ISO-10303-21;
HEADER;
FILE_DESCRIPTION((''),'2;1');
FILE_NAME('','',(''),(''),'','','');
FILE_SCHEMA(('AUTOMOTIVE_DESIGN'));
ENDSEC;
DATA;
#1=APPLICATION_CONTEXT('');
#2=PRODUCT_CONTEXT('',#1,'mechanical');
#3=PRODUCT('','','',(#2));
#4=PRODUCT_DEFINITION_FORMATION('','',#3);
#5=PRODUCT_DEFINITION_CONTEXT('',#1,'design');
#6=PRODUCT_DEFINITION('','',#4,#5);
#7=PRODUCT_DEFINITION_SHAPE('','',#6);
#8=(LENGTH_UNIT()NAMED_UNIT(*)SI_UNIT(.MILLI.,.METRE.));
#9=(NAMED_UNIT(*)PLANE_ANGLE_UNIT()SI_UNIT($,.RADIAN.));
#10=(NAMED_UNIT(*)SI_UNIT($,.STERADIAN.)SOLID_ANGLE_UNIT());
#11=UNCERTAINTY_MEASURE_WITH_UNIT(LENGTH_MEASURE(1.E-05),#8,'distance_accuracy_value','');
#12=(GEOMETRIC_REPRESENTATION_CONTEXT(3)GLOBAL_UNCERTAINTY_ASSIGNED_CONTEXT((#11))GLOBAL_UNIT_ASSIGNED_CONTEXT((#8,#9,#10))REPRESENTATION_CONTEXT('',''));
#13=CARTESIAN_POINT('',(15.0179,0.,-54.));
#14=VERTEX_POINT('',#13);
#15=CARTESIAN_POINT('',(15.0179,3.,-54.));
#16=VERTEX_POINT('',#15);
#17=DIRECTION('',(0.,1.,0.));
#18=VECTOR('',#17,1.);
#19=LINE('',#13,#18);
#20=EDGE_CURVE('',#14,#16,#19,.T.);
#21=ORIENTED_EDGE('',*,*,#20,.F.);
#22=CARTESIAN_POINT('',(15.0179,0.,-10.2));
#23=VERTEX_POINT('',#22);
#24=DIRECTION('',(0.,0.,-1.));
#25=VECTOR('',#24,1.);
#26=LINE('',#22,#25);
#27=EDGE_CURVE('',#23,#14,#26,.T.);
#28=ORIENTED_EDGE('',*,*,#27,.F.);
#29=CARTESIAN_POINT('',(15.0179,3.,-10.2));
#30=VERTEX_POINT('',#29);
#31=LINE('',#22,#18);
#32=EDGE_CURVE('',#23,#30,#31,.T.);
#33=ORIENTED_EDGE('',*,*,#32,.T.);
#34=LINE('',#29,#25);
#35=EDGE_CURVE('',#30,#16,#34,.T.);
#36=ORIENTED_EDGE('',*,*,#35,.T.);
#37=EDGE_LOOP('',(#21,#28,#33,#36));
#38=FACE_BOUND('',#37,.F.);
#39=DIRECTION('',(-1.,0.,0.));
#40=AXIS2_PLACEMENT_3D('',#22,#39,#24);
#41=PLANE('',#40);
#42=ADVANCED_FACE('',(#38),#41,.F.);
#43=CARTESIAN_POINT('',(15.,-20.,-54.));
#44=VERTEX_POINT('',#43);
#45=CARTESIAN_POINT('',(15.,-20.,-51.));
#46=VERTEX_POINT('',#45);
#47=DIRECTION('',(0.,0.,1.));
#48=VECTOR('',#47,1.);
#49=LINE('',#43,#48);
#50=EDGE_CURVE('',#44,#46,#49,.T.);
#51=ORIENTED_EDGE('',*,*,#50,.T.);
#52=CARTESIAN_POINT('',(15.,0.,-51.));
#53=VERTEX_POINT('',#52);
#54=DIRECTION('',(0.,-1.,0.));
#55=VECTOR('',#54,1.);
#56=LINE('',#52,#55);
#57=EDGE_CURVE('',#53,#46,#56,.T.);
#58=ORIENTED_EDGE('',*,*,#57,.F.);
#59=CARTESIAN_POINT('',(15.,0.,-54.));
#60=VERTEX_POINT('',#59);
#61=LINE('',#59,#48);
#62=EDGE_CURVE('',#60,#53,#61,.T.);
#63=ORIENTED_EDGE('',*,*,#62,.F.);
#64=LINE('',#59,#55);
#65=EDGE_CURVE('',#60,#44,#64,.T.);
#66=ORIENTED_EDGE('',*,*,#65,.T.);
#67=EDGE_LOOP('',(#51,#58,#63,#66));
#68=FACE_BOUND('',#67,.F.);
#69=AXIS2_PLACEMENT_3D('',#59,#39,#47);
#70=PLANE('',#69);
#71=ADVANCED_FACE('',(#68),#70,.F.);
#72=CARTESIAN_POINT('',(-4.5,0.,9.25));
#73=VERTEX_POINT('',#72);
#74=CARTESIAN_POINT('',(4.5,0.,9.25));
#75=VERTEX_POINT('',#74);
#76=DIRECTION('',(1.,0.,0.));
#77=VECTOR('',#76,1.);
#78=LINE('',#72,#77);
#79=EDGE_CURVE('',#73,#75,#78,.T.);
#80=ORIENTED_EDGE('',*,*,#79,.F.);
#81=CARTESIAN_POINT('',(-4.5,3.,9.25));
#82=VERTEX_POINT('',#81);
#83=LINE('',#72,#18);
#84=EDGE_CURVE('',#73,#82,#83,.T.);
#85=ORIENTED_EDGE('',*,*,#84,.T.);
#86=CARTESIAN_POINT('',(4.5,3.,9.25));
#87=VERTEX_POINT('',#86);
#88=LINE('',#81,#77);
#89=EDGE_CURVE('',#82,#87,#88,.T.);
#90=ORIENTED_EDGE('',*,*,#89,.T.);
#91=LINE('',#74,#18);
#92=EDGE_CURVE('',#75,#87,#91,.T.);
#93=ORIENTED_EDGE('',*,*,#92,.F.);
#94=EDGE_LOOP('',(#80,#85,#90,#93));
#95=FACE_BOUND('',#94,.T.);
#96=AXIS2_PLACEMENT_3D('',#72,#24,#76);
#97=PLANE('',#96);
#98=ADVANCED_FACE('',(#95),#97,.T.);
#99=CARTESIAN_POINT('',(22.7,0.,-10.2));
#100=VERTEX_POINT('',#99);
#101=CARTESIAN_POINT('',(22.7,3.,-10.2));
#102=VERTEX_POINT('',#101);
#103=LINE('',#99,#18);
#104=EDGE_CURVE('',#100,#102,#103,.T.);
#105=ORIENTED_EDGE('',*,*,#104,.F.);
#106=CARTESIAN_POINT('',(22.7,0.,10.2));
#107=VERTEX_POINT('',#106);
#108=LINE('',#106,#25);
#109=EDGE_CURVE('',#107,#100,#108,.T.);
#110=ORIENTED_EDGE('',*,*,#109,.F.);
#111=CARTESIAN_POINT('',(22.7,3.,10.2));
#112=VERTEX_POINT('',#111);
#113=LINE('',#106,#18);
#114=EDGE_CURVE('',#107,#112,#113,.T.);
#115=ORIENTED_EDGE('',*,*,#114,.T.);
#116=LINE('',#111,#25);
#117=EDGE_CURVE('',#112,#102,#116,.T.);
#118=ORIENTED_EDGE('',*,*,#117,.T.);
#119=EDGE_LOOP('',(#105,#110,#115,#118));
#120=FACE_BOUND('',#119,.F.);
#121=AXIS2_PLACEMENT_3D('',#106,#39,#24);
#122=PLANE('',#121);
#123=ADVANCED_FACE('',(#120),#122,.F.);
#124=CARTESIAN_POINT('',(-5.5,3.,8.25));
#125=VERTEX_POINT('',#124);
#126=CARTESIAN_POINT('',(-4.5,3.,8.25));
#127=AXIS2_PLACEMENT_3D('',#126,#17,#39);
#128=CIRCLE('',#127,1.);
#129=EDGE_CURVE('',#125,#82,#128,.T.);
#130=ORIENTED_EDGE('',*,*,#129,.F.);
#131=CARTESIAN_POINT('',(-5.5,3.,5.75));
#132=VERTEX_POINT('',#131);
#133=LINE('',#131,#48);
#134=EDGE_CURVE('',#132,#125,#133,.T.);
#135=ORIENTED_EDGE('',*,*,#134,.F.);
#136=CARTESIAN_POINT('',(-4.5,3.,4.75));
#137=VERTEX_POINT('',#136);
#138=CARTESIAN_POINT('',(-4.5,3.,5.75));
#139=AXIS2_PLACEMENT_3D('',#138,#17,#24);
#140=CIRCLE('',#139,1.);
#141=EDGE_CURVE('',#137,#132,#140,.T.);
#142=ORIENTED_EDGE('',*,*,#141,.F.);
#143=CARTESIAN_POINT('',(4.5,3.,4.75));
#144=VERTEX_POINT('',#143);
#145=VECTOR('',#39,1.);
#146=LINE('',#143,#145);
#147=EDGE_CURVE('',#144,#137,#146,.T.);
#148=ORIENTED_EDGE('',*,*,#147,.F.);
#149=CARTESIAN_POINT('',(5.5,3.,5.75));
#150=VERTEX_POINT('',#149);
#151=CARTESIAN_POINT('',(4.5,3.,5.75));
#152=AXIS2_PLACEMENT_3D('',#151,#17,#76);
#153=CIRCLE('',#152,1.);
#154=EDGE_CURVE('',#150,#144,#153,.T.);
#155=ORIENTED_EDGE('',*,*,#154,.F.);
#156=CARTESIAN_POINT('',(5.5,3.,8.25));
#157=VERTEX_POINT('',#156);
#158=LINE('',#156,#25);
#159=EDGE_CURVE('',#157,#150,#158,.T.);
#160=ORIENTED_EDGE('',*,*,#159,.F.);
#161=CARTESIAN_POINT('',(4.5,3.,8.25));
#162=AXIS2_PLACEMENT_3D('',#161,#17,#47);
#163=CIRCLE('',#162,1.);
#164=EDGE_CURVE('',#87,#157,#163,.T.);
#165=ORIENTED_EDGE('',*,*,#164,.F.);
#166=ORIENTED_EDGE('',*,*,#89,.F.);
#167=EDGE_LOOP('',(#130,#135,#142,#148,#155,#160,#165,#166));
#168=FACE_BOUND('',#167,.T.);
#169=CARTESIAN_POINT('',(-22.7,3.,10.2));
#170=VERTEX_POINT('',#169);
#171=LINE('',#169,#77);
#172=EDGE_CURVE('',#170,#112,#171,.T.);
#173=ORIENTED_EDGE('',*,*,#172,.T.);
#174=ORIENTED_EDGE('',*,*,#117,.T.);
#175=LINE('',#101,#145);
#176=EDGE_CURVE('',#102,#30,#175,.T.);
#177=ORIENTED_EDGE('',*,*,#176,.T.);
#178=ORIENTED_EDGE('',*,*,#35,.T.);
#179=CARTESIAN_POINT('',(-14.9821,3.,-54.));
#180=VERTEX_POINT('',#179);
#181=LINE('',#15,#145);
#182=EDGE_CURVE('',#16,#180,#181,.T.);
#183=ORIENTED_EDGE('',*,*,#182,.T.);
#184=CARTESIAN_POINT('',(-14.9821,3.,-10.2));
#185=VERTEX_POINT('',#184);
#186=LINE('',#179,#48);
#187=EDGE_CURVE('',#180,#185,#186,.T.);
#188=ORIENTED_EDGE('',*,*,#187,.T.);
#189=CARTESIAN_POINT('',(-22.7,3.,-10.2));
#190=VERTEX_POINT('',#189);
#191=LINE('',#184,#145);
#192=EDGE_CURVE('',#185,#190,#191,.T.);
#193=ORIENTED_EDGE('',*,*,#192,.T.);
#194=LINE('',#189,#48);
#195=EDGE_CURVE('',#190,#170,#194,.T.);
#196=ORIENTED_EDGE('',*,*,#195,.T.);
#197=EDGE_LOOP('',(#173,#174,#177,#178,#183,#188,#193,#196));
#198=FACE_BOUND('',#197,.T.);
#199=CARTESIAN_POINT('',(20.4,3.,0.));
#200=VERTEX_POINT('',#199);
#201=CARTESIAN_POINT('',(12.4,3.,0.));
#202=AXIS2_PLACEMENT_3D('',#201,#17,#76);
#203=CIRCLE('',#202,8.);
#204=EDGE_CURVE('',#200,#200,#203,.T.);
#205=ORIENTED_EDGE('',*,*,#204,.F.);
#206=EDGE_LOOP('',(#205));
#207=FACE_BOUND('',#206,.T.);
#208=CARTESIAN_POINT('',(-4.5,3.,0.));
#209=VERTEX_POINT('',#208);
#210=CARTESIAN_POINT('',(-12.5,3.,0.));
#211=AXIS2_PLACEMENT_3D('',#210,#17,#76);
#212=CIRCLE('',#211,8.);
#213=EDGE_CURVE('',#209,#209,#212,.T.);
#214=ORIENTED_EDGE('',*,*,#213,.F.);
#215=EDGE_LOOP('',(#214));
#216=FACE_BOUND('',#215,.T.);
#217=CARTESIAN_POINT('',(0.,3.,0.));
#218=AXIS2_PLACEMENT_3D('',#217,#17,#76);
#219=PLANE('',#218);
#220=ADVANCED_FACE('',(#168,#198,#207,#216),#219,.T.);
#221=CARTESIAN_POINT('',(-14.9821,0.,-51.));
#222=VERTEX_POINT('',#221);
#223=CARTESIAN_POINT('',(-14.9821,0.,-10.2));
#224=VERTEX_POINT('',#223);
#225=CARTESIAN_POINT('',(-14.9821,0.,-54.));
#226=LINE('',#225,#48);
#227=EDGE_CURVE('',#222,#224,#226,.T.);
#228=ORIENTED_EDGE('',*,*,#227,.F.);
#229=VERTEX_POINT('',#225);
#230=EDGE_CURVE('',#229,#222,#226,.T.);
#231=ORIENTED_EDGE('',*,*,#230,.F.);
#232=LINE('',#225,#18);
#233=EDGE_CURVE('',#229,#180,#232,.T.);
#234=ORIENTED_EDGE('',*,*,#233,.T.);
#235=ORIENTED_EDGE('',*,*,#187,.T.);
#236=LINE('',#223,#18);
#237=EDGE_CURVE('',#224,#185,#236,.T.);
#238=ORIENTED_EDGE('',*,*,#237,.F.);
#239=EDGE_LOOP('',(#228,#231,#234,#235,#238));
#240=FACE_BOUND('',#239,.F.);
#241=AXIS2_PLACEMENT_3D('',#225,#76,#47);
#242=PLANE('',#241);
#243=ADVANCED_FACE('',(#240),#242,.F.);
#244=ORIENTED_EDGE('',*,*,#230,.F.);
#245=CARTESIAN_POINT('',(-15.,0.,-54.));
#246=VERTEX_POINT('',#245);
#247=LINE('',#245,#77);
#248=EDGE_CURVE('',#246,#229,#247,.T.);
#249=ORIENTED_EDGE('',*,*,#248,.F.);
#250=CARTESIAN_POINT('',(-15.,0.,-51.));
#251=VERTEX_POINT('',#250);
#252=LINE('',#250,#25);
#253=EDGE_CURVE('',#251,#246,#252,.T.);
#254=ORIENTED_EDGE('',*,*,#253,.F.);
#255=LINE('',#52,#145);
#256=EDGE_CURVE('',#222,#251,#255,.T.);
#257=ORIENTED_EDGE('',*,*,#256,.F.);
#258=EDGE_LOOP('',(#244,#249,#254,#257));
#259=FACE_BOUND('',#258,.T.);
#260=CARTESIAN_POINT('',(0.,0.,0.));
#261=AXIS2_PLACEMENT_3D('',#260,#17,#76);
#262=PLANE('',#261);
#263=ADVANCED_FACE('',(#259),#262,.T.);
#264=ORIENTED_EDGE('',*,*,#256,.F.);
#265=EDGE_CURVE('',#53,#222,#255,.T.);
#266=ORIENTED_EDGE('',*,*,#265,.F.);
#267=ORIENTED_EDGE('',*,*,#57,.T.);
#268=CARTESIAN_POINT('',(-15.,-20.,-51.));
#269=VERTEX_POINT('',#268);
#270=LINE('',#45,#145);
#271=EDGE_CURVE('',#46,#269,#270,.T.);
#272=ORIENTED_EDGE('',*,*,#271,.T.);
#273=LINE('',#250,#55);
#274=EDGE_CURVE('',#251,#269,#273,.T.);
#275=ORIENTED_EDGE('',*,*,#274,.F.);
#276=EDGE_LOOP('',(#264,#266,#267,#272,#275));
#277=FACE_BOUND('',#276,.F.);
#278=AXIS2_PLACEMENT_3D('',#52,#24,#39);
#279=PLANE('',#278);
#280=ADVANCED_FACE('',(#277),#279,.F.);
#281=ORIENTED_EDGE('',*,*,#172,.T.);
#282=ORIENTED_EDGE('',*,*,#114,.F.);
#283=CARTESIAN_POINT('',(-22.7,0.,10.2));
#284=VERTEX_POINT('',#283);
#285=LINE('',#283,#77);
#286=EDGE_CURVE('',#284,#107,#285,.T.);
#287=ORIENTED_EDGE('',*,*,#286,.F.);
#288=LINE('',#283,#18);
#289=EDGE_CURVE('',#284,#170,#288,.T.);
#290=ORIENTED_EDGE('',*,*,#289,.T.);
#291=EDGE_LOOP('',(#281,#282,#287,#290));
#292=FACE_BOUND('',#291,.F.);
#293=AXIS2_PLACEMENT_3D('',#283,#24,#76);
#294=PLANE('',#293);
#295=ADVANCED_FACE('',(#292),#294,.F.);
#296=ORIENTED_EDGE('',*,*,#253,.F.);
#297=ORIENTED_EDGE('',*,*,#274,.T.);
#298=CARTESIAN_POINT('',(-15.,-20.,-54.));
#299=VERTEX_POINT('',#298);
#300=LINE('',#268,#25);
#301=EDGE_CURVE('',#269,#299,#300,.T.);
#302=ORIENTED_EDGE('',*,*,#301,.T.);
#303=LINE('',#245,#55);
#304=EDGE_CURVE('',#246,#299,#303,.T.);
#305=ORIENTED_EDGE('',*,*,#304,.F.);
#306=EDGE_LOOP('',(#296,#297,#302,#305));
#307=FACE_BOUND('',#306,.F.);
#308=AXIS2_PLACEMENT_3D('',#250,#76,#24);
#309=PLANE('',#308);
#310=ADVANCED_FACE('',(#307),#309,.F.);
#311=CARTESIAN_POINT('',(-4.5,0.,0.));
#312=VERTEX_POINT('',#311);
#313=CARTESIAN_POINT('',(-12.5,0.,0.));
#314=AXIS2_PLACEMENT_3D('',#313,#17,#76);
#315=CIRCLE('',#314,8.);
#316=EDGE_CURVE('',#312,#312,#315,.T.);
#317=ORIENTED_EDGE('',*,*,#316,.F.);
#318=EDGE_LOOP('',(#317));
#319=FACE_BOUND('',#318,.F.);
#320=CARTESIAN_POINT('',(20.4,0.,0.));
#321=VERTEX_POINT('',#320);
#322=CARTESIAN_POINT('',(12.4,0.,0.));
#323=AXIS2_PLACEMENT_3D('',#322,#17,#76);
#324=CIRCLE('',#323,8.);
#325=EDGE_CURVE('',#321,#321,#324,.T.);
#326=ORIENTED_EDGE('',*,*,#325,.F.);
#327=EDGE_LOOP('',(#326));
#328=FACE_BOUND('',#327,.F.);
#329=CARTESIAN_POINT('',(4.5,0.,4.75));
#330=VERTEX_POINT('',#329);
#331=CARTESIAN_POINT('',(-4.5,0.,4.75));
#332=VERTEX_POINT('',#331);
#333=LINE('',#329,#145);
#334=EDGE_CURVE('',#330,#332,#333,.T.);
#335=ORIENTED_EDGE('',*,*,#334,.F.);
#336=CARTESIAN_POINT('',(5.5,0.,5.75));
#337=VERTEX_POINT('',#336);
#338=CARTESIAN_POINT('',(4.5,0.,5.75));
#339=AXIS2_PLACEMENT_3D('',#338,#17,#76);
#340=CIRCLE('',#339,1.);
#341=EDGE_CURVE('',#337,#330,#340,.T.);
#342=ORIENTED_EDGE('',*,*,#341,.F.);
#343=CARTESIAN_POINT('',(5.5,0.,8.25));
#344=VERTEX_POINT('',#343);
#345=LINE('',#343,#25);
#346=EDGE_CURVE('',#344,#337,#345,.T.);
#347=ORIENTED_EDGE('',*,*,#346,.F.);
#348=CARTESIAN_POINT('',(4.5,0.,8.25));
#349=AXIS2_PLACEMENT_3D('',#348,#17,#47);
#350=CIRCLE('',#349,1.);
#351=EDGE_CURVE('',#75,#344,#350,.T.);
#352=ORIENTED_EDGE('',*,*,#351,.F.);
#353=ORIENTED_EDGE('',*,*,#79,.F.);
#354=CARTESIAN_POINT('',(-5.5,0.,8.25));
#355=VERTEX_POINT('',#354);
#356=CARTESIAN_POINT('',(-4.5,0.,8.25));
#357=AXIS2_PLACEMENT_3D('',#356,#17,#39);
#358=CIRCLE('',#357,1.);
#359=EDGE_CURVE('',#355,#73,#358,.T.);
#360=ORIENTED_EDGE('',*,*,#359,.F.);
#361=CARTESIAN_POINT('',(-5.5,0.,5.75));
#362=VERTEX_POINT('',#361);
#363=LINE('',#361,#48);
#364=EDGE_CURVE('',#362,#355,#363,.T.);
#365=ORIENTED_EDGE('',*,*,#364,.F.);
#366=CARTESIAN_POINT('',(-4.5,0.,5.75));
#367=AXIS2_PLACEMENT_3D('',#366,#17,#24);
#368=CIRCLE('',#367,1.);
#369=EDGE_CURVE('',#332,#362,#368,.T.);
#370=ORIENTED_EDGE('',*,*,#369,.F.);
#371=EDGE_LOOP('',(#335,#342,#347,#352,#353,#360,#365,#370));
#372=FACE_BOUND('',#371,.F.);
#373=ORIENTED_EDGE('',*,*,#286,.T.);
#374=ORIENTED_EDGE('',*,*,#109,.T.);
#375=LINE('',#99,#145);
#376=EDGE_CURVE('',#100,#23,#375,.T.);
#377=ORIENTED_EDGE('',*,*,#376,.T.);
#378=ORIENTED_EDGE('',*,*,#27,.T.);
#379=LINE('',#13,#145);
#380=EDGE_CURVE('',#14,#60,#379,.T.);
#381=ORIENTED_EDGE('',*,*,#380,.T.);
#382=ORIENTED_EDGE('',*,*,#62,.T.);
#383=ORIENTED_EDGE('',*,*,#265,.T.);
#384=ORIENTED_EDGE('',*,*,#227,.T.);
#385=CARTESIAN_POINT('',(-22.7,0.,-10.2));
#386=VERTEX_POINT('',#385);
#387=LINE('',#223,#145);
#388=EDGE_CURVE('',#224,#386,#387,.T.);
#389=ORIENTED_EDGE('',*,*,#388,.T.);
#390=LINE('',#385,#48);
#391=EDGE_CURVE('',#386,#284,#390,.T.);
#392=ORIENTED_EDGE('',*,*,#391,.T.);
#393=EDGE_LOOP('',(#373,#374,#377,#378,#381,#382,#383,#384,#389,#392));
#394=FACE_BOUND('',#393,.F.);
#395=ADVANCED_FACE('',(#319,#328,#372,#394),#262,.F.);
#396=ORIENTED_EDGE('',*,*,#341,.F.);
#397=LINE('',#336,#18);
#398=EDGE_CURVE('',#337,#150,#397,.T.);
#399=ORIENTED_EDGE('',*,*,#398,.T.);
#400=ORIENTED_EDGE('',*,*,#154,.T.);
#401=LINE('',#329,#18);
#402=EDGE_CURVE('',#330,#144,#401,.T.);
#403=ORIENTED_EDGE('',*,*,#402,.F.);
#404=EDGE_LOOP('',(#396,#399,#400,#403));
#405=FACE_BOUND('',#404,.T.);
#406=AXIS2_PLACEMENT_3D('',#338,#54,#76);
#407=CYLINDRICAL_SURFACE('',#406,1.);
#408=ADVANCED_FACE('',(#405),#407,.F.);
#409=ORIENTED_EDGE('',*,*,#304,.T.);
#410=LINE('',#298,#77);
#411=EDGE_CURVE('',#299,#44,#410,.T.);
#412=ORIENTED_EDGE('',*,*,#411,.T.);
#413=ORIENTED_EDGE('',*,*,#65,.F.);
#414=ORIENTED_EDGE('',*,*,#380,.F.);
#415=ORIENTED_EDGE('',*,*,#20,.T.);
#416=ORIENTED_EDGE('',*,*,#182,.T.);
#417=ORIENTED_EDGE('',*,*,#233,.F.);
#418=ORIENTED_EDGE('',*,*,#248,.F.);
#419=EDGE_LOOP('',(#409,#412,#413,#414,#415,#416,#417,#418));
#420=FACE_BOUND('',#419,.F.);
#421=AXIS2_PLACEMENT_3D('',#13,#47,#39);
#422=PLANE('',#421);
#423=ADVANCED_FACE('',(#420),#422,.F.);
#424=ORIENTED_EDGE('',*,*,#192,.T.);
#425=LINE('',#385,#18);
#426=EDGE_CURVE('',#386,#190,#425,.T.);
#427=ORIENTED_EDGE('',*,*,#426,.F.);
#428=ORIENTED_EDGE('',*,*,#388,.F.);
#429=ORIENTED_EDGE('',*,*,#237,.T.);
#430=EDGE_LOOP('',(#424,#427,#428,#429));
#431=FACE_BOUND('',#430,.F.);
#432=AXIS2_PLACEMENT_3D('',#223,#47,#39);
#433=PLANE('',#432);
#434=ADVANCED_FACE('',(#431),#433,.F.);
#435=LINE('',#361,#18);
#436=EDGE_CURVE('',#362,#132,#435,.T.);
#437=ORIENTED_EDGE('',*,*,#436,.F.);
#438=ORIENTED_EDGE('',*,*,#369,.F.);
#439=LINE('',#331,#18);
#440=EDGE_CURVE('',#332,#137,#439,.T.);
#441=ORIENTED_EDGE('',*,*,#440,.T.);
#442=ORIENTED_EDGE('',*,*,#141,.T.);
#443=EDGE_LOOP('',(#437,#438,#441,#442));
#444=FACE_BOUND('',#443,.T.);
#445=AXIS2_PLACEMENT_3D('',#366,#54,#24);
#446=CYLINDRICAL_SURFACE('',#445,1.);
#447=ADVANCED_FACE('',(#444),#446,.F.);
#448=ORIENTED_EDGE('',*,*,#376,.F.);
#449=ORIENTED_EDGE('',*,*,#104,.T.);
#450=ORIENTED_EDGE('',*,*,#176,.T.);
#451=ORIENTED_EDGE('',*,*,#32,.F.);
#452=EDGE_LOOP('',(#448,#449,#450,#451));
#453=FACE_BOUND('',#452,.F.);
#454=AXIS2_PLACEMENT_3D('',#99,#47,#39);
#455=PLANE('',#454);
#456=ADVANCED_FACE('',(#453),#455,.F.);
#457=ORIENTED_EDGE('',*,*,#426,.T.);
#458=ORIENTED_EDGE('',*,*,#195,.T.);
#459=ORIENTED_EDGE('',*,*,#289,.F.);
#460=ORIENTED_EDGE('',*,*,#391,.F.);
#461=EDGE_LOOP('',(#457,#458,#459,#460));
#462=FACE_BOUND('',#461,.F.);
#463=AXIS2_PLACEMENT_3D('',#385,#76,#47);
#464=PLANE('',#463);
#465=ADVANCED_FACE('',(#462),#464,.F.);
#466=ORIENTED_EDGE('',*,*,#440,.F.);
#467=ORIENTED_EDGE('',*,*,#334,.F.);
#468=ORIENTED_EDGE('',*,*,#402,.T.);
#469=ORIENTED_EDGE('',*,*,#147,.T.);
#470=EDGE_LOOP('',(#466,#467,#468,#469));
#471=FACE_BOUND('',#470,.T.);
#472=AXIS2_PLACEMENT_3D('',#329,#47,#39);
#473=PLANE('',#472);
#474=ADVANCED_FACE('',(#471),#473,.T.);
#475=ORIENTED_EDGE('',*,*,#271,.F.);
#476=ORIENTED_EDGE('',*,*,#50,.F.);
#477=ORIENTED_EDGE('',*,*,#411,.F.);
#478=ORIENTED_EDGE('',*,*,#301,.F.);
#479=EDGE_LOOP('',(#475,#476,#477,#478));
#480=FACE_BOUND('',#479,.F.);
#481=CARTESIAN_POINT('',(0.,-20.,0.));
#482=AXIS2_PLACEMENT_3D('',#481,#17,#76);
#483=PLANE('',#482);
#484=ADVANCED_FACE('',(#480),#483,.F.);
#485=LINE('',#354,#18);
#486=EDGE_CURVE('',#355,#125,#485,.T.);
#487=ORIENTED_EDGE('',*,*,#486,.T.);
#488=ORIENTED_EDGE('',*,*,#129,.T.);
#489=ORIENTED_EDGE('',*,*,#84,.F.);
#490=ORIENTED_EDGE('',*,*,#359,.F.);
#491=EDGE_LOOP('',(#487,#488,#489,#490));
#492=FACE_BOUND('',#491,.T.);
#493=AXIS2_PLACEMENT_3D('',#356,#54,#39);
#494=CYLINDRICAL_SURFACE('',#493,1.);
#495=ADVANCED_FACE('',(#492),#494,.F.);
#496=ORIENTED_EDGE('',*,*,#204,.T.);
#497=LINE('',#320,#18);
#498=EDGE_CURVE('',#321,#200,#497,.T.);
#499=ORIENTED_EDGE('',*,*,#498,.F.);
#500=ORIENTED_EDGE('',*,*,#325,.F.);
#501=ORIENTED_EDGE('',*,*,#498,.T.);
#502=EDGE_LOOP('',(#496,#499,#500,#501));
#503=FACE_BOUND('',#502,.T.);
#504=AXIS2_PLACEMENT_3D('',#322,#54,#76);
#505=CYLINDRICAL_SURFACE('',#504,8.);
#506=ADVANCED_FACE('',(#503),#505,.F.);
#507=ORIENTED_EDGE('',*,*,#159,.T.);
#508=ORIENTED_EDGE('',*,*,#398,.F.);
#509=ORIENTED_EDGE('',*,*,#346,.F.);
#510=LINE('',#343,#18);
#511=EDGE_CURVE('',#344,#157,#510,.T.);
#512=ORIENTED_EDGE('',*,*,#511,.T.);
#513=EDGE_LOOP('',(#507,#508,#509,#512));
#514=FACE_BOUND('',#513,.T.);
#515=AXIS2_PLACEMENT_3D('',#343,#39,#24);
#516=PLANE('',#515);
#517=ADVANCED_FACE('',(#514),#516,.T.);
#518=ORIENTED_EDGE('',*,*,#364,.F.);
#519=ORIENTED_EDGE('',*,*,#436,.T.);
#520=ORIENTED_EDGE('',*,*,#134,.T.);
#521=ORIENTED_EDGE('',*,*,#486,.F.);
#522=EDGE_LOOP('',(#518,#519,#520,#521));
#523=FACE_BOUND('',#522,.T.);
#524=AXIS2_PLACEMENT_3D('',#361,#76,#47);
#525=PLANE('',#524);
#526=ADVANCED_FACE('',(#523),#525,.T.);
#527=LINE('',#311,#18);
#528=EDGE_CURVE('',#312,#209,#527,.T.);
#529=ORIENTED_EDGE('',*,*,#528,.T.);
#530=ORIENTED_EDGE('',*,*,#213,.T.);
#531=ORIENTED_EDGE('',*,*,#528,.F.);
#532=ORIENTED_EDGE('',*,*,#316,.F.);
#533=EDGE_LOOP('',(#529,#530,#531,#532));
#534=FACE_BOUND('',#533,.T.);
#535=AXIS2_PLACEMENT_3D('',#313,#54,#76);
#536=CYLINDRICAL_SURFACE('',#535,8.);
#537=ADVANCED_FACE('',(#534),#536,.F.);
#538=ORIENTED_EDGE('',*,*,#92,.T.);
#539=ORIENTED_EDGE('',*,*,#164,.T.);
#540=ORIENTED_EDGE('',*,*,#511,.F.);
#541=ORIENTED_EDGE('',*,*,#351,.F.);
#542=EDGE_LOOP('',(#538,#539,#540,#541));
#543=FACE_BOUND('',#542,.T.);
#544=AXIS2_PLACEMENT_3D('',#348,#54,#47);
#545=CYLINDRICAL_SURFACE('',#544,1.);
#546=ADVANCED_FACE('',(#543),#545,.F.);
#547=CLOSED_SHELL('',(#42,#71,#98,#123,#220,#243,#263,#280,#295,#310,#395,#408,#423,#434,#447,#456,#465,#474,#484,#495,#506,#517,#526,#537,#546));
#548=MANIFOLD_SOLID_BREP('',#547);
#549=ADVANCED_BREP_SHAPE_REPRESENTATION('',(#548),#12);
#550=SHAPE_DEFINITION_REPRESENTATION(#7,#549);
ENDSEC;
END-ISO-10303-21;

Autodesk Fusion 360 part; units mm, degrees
sketch "Sketch3" plane through (0, 0, 0) normal (0, 1, 0) x (1, 0, 0)
  circle A0 centre (12.4, 0) radius 8
  line L0 (-22.7, 10.2) -> (-22.7, -10.2)
  line L1 (-22.7, -10.2) -> (22.7, -10.2)
  line L2 (22.7, -10.2) -> (22.7, 10.2)
  line L3 (22.7, 10.2) -> (-22.7, -10.2) construction
  line L4 (-22.7, 10.2) -> (22.7, -10.2) construction
  circle A1 centre (-12.5, 0) radius 8
  line L5 (4.5, -4.75) -> (-4.5, -4.75)
  line L6 (-5.5, -5.75) -> (-5.5, -8.25)
  line L7 (-4.5, -9.25) -> (4.5, -9.25)
  line L8 (5.5, -8.25) -> (5.5, -5.75)
  line L9 (5.5, -4.75) -> (-5.5, -9.25) construction
  line L10 (-5.5, -4.75) -> (5.5, -9.25) construction
  arc A2 (-5.5, -8.25) -> (-4.5, -9.25) centre (-4.5, -8.25) ccw
  arc A3 (4.5, -9.25) -> (5.5, -8.25) centre (4.5, -8.25) ccw
  arc A4 (5.5, -5.75) -> (4.5, -4.75) centre (4.5, -5.75) ccw
  arc A5 (-4.5, -4.75) -> (-5.5, -5.75) centre (-4.5, -5.75) ccw
  line L11 (15.0179, 10.2) -> (15.0179, 54)
  line L12 (15.0179, 54) -> (-14.9821, 54)
  line L13 (-14.9821, 54) -> (-14.9821, 10.2)
  line L14 (22.7, 10.2) -> (15.0179, 10.2)
  line L15 (-14.9821, 10.2) -> (-22.7, 10.2)
  point P0 (0, -7)
  dimension "d8" = 16
  dimension "d10" = 45.4
  dimension "d11" = 20.4
  dimension "d12" = 16
  dimension "d13" = 11
  dimension "d14" = 4.5
  dimension "d15" = 1
  dimension "d16" = 1
  dimension "d17" = 30
  dimension "d18" = 43.8
sketch "Sketch4" plane through (0, 0, 0) normal (0, 1, 0) x (1, 0, 0)
  line L0 (-15, 54) -> (15, 54)
  line L1 (15, 54) -> (15, 51)
  line L2 (15, 51) -> (-15, 51)
  line L3 (-15, 51) -> (-15, 54)
extrude "Extrude1" add sketch "Sketch3" along normal blind 3
extrude "Extrude2" add sketch "Sketch4" against normal blind 20
sketch "Sketch1" plane through (0, 0, 0) normal (0, 1, 0) x (1, 0, 0)
sketch "Sketch2" plane through (0, 0, 0) normal (0, 1, 0) x (1, 0, 0)
